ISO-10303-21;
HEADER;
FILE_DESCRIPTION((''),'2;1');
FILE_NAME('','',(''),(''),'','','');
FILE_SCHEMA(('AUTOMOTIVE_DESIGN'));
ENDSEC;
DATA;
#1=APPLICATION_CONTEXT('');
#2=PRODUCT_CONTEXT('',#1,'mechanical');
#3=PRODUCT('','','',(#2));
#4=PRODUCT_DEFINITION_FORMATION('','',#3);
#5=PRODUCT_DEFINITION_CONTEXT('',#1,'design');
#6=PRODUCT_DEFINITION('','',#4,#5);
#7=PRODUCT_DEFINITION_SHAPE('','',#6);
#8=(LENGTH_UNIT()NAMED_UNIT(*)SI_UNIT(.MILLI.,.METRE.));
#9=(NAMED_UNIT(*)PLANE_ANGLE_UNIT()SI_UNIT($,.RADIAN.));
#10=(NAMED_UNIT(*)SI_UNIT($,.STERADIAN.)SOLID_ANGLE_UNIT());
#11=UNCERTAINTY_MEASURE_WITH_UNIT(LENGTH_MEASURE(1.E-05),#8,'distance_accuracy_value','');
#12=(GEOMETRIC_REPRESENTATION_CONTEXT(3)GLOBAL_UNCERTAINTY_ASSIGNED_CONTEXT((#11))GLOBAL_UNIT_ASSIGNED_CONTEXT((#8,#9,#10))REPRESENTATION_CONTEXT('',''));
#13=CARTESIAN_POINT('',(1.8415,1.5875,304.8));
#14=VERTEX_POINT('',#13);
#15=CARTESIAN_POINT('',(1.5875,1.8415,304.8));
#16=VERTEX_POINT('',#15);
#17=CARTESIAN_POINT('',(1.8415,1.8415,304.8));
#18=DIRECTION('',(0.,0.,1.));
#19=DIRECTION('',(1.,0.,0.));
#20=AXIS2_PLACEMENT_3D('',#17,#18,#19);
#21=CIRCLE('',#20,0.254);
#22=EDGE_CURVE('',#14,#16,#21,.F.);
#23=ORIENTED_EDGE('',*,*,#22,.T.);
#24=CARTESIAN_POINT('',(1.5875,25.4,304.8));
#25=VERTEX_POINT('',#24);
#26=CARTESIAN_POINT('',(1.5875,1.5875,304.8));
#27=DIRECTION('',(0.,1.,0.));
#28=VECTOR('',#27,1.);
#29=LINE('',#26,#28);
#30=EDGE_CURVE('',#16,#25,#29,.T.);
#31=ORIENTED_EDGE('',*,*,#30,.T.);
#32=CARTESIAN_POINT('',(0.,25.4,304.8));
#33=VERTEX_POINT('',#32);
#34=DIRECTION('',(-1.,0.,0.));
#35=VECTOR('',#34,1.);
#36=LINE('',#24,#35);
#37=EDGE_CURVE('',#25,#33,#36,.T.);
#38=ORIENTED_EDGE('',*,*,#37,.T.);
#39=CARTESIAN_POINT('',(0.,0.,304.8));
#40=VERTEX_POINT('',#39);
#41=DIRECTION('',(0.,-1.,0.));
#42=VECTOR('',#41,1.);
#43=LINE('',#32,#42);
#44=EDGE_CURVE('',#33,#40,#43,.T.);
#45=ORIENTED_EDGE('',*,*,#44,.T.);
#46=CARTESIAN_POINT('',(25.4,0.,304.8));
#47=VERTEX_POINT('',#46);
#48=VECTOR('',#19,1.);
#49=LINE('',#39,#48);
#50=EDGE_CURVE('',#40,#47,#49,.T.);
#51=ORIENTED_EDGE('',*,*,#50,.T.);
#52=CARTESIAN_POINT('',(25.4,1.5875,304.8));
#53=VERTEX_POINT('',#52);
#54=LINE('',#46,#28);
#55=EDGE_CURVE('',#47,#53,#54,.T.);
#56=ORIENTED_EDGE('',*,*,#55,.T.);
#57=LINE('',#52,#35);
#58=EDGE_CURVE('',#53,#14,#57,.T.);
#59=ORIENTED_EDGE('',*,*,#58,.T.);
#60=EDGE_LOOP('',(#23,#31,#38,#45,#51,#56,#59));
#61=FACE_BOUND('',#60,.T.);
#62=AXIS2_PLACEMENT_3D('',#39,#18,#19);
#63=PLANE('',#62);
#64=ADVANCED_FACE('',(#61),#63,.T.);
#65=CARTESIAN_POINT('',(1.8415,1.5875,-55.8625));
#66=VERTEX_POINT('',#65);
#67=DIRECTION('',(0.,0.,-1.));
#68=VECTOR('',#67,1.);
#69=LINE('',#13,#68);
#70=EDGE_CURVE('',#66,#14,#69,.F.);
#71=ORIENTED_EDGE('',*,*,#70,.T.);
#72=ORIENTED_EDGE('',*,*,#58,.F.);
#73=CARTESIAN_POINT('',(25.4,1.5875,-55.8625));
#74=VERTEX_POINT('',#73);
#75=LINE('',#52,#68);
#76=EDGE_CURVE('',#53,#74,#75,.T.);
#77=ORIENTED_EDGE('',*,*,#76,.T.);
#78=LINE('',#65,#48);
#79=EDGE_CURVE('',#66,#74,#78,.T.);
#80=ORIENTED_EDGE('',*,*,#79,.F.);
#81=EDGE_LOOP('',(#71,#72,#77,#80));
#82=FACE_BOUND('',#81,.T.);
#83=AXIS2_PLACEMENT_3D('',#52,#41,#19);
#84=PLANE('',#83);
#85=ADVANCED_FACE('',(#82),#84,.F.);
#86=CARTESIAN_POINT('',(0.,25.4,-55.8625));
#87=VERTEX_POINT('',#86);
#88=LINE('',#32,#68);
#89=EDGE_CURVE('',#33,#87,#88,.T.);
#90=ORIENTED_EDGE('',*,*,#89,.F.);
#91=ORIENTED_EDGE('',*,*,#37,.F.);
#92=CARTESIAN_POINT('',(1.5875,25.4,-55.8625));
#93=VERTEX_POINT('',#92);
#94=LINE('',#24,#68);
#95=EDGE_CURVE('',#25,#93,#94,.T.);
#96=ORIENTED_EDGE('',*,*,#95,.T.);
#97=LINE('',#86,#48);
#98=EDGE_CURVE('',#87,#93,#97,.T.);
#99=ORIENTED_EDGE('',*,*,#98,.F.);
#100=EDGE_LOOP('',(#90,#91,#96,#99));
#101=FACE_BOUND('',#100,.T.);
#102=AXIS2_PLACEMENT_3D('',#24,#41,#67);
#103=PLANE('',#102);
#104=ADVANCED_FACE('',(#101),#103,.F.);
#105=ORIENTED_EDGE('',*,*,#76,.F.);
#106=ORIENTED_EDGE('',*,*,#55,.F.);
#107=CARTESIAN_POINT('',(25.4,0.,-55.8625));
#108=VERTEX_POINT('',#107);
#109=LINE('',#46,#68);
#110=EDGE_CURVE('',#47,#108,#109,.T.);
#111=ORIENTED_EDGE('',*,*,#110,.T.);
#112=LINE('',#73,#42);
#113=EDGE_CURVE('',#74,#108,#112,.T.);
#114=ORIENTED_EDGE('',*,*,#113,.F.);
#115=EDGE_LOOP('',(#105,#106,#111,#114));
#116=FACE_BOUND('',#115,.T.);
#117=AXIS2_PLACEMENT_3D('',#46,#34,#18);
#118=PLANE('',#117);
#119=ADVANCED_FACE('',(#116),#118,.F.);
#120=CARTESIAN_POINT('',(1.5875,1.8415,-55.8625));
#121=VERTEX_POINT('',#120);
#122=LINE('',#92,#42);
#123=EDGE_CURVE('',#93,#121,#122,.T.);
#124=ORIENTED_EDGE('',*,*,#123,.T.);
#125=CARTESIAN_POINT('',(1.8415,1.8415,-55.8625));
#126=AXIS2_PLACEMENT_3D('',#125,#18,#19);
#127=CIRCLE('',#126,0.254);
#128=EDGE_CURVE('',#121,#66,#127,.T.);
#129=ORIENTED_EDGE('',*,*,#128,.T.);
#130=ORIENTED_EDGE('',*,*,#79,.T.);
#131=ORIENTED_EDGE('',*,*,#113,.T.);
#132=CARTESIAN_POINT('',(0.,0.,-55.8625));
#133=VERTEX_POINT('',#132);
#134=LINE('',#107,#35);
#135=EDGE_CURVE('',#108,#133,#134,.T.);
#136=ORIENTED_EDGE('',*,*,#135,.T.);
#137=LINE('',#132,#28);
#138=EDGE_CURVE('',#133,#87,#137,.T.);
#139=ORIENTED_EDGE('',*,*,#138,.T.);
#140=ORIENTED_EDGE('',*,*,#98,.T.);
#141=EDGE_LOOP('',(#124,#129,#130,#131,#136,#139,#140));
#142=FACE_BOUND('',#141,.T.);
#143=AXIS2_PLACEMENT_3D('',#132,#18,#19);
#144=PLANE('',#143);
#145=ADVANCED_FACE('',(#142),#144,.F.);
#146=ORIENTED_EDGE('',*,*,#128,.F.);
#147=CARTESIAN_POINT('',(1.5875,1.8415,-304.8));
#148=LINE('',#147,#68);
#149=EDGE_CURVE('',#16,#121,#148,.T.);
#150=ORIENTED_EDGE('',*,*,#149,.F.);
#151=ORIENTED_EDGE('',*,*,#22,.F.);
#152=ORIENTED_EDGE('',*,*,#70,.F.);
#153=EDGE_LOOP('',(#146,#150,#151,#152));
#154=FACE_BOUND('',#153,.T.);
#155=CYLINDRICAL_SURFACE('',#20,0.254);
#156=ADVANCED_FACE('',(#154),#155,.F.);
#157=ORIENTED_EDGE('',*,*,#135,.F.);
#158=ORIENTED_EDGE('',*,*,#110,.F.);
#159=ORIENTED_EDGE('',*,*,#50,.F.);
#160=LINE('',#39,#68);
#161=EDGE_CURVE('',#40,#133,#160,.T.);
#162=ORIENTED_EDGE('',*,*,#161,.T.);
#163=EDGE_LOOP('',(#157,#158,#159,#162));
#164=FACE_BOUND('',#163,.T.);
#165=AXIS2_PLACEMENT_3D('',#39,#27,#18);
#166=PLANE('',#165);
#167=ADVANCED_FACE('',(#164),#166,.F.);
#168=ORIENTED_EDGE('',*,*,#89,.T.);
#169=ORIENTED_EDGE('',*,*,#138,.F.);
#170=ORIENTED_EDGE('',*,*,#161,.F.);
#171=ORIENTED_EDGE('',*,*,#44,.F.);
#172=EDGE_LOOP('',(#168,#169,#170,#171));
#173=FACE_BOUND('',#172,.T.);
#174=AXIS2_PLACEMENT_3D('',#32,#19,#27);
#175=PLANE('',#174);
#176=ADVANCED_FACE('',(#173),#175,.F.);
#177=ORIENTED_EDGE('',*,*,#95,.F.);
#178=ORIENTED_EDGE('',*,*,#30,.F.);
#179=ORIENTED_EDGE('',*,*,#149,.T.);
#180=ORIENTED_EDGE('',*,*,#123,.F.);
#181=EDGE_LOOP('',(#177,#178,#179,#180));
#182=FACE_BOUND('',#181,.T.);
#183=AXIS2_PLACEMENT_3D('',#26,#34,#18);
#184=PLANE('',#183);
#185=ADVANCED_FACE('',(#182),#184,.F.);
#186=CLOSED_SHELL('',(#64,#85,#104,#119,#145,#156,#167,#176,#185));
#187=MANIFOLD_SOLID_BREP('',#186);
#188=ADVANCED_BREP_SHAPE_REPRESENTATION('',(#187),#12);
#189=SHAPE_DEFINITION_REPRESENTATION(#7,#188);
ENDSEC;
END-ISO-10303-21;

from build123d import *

# Parameters (mm, degrees)
BOSS_EXTRUDE1_DEPTH = 304.8
FILLET1_R           = 0.254
CUT_EXTRUDE1_DEPTH  = 248.9375


with BuildPart() as part:
    # Sketch3 → Boss-Extrude1 (new, symmetric)
    with BuildSketch(Plane.XY):
        Polygon((1.5875, 25.4), (0, 25.4), (0, 0), (25.4, 0), (25.4, 1.5875), (1.5875, 1.5875), align=None)
    extrude(amount=BOSS_EXTRUDE1_DEPTH, both=True)

    # Fillet1
    fillet1_edges = [part.edges().sort_by_distance(p)[0] for p in [
        (1.5875, 1.5875, 0),
    ]]
    fillet(fillet1_edges, radius=FILLET1_R)

    # Sketch4 → Cut-Extrude1 (cut)
    with BuildSketch(Plane(origin=(0, 0, -304.8), x_dir=(-1, 0, 0), z_dir=(0, 0, -1))):
        with BuildLine():
            Line((-1.5875, 25.4), (-1.5875, 1.8415))
            ThreePointArc((-1.5875, 1.8415), (-1.661894878, 1.661894878), (-1.8415, 1.5875))
            Line((-1.8415, 1.5875), (-25.4, 1.5875))
            Line((-25.4, 1.5875), (-25.4, 0))
            Line((-25.4, 0), (0, 0))
            Line((0, 0), (0, 25.4))
            Line((0, 25.4), (-1.5875, 25.4))
        make_face()
    extrude(amount=-CUT_EXTRUDE1_DEPTH, mode=Mode.SUBTRACT)


solid = part.part
